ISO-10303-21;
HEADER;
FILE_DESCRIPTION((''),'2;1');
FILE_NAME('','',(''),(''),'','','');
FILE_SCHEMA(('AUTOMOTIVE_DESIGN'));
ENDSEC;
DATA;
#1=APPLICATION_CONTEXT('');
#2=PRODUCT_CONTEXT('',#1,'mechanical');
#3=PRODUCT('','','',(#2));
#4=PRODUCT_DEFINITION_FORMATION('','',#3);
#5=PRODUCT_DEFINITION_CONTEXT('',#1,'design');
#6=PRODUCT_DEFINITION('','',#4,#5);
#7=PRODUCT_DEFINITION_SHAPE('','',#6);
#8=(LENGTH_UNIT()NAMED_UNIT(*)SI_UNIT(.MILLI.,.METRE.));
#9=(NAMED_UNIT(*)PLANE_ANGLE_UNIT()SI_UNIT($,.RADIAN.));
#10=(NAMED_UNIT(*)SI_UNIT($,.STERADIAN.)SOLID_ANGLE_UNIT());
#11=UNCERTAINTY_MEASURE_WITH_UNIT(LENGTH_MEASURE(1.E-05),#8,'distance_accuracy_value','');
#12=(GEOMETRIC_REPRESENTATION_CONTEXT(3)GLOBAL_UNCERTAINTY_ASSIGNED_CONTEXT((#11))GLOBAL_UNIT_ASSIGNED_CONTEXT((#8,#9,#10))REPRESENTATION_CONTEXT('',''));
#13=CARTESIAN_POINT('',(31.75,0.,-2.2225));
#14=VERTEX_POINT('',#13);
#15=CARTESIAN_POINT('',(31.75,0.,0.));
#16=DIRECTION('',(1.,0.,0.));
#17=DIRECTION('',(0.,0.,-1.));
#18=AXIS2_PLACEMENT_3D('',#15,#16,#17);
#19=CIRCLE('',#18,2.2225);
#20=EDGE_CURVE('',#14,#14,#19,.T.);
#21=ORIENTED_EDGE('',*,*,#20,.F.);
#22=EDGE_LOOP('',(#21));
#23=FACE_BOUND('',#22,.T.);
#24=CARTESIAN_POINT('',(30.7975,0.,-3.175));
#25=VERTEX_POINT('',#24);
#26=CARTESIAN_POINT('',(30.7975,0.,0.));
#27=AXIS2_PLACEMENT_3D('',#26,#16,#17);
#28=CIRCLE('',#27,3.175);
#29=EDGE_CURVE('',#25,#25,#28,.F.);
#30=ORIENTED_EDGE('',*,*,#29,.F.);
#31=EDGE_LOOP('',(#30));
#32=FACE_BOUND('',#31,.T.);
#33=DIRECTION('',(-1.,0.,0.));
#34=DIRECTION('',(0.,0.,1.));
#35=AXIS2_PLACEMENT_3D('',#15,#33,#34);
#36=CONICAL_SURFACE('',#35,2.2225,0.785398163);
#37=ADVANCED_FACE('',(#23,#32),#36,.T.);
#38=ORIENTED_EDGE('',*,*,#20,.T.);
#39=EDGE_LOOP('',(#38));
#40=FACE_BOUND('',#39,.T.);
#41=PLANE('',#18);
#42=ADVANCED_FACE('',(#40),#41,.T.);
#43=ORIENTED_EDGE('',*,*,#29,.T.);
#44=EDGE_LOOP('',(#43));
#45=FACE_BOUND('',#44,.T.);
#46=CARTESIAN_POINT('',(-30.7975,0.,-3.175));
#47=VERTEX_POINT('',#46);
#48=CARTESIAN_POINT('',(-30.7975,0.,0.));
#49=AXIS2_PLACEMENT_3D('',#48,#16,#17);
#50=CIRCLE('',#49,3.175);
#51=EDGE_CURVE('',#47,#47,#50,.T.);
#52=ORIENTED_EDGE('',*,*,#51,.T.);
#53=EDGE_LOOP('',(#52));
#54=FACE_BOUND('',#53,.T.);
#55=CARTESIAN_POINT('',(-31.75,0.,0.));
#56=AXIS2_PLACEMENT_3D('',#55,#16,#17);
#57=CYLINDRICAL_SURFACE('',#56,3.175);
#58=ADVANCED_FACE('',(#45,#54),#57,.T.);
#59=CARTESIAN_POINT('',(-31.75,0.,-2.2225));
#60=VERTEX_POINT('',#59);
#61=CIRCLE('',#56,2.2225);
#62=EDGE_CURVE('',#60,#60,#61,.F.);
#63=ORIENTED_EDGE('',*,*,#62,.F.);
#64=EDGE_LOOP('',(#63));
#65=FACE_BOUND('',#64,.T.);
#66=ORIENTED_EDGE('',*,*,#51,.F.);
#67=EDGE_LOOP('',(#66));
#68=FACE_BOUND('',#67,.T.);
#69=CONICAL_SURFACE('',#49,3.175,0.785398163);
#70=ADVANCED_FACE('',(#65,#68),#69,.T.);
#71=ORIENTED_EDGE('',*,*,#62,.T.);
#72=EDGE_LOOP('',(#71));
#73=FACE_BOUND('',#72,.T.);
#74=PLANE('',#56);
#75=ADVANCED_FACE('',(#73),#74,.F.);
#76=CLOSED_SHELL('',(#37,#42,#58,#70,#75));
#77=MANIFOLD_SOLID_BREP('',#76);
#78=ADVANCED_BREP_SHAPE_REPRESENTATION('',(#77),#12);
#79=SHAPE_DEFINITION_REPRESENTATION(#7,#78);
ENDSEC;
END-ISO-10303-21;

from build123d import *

# Parameters (mm, degrees)
SKETCH2_R                = 3.175
BOSS_EXTRUDE1_DEPTH      = 31.75
BOSS_EXTRUDE1_DEPTH_BACK = 31.75
CHAMFER1_SIZE            = 0.9525


with BuildPart() as part:
    # Sketch2 → Boss-Extrude1 (new body, two sides)
    with BuildSketch(Plane(origin=(0, 0, 0), x_dir=(0, 0, -1), z_dir=(1, 0, 0))) as boss_extrude1_sk:
        Circle(SKETCH2_R)
    extrude(amount=BOSS_EXTRUDE1_DEPTH)
    extrude(boss_extrude1_sk.sketch, amount=-BOSS_EXTRUDE1_DEPTH_BACK)

    # Chamfer1
    chamfer1_edges = [part.edges().sort_by_distance(p)[0] for p in [
        (-31.75, 0, 3.175),
        (31.75, 0, 3.175),
    ]]
    chamfer(chamfer1_edges, length=CHAMFER1_SIZE)


solid = part.part
